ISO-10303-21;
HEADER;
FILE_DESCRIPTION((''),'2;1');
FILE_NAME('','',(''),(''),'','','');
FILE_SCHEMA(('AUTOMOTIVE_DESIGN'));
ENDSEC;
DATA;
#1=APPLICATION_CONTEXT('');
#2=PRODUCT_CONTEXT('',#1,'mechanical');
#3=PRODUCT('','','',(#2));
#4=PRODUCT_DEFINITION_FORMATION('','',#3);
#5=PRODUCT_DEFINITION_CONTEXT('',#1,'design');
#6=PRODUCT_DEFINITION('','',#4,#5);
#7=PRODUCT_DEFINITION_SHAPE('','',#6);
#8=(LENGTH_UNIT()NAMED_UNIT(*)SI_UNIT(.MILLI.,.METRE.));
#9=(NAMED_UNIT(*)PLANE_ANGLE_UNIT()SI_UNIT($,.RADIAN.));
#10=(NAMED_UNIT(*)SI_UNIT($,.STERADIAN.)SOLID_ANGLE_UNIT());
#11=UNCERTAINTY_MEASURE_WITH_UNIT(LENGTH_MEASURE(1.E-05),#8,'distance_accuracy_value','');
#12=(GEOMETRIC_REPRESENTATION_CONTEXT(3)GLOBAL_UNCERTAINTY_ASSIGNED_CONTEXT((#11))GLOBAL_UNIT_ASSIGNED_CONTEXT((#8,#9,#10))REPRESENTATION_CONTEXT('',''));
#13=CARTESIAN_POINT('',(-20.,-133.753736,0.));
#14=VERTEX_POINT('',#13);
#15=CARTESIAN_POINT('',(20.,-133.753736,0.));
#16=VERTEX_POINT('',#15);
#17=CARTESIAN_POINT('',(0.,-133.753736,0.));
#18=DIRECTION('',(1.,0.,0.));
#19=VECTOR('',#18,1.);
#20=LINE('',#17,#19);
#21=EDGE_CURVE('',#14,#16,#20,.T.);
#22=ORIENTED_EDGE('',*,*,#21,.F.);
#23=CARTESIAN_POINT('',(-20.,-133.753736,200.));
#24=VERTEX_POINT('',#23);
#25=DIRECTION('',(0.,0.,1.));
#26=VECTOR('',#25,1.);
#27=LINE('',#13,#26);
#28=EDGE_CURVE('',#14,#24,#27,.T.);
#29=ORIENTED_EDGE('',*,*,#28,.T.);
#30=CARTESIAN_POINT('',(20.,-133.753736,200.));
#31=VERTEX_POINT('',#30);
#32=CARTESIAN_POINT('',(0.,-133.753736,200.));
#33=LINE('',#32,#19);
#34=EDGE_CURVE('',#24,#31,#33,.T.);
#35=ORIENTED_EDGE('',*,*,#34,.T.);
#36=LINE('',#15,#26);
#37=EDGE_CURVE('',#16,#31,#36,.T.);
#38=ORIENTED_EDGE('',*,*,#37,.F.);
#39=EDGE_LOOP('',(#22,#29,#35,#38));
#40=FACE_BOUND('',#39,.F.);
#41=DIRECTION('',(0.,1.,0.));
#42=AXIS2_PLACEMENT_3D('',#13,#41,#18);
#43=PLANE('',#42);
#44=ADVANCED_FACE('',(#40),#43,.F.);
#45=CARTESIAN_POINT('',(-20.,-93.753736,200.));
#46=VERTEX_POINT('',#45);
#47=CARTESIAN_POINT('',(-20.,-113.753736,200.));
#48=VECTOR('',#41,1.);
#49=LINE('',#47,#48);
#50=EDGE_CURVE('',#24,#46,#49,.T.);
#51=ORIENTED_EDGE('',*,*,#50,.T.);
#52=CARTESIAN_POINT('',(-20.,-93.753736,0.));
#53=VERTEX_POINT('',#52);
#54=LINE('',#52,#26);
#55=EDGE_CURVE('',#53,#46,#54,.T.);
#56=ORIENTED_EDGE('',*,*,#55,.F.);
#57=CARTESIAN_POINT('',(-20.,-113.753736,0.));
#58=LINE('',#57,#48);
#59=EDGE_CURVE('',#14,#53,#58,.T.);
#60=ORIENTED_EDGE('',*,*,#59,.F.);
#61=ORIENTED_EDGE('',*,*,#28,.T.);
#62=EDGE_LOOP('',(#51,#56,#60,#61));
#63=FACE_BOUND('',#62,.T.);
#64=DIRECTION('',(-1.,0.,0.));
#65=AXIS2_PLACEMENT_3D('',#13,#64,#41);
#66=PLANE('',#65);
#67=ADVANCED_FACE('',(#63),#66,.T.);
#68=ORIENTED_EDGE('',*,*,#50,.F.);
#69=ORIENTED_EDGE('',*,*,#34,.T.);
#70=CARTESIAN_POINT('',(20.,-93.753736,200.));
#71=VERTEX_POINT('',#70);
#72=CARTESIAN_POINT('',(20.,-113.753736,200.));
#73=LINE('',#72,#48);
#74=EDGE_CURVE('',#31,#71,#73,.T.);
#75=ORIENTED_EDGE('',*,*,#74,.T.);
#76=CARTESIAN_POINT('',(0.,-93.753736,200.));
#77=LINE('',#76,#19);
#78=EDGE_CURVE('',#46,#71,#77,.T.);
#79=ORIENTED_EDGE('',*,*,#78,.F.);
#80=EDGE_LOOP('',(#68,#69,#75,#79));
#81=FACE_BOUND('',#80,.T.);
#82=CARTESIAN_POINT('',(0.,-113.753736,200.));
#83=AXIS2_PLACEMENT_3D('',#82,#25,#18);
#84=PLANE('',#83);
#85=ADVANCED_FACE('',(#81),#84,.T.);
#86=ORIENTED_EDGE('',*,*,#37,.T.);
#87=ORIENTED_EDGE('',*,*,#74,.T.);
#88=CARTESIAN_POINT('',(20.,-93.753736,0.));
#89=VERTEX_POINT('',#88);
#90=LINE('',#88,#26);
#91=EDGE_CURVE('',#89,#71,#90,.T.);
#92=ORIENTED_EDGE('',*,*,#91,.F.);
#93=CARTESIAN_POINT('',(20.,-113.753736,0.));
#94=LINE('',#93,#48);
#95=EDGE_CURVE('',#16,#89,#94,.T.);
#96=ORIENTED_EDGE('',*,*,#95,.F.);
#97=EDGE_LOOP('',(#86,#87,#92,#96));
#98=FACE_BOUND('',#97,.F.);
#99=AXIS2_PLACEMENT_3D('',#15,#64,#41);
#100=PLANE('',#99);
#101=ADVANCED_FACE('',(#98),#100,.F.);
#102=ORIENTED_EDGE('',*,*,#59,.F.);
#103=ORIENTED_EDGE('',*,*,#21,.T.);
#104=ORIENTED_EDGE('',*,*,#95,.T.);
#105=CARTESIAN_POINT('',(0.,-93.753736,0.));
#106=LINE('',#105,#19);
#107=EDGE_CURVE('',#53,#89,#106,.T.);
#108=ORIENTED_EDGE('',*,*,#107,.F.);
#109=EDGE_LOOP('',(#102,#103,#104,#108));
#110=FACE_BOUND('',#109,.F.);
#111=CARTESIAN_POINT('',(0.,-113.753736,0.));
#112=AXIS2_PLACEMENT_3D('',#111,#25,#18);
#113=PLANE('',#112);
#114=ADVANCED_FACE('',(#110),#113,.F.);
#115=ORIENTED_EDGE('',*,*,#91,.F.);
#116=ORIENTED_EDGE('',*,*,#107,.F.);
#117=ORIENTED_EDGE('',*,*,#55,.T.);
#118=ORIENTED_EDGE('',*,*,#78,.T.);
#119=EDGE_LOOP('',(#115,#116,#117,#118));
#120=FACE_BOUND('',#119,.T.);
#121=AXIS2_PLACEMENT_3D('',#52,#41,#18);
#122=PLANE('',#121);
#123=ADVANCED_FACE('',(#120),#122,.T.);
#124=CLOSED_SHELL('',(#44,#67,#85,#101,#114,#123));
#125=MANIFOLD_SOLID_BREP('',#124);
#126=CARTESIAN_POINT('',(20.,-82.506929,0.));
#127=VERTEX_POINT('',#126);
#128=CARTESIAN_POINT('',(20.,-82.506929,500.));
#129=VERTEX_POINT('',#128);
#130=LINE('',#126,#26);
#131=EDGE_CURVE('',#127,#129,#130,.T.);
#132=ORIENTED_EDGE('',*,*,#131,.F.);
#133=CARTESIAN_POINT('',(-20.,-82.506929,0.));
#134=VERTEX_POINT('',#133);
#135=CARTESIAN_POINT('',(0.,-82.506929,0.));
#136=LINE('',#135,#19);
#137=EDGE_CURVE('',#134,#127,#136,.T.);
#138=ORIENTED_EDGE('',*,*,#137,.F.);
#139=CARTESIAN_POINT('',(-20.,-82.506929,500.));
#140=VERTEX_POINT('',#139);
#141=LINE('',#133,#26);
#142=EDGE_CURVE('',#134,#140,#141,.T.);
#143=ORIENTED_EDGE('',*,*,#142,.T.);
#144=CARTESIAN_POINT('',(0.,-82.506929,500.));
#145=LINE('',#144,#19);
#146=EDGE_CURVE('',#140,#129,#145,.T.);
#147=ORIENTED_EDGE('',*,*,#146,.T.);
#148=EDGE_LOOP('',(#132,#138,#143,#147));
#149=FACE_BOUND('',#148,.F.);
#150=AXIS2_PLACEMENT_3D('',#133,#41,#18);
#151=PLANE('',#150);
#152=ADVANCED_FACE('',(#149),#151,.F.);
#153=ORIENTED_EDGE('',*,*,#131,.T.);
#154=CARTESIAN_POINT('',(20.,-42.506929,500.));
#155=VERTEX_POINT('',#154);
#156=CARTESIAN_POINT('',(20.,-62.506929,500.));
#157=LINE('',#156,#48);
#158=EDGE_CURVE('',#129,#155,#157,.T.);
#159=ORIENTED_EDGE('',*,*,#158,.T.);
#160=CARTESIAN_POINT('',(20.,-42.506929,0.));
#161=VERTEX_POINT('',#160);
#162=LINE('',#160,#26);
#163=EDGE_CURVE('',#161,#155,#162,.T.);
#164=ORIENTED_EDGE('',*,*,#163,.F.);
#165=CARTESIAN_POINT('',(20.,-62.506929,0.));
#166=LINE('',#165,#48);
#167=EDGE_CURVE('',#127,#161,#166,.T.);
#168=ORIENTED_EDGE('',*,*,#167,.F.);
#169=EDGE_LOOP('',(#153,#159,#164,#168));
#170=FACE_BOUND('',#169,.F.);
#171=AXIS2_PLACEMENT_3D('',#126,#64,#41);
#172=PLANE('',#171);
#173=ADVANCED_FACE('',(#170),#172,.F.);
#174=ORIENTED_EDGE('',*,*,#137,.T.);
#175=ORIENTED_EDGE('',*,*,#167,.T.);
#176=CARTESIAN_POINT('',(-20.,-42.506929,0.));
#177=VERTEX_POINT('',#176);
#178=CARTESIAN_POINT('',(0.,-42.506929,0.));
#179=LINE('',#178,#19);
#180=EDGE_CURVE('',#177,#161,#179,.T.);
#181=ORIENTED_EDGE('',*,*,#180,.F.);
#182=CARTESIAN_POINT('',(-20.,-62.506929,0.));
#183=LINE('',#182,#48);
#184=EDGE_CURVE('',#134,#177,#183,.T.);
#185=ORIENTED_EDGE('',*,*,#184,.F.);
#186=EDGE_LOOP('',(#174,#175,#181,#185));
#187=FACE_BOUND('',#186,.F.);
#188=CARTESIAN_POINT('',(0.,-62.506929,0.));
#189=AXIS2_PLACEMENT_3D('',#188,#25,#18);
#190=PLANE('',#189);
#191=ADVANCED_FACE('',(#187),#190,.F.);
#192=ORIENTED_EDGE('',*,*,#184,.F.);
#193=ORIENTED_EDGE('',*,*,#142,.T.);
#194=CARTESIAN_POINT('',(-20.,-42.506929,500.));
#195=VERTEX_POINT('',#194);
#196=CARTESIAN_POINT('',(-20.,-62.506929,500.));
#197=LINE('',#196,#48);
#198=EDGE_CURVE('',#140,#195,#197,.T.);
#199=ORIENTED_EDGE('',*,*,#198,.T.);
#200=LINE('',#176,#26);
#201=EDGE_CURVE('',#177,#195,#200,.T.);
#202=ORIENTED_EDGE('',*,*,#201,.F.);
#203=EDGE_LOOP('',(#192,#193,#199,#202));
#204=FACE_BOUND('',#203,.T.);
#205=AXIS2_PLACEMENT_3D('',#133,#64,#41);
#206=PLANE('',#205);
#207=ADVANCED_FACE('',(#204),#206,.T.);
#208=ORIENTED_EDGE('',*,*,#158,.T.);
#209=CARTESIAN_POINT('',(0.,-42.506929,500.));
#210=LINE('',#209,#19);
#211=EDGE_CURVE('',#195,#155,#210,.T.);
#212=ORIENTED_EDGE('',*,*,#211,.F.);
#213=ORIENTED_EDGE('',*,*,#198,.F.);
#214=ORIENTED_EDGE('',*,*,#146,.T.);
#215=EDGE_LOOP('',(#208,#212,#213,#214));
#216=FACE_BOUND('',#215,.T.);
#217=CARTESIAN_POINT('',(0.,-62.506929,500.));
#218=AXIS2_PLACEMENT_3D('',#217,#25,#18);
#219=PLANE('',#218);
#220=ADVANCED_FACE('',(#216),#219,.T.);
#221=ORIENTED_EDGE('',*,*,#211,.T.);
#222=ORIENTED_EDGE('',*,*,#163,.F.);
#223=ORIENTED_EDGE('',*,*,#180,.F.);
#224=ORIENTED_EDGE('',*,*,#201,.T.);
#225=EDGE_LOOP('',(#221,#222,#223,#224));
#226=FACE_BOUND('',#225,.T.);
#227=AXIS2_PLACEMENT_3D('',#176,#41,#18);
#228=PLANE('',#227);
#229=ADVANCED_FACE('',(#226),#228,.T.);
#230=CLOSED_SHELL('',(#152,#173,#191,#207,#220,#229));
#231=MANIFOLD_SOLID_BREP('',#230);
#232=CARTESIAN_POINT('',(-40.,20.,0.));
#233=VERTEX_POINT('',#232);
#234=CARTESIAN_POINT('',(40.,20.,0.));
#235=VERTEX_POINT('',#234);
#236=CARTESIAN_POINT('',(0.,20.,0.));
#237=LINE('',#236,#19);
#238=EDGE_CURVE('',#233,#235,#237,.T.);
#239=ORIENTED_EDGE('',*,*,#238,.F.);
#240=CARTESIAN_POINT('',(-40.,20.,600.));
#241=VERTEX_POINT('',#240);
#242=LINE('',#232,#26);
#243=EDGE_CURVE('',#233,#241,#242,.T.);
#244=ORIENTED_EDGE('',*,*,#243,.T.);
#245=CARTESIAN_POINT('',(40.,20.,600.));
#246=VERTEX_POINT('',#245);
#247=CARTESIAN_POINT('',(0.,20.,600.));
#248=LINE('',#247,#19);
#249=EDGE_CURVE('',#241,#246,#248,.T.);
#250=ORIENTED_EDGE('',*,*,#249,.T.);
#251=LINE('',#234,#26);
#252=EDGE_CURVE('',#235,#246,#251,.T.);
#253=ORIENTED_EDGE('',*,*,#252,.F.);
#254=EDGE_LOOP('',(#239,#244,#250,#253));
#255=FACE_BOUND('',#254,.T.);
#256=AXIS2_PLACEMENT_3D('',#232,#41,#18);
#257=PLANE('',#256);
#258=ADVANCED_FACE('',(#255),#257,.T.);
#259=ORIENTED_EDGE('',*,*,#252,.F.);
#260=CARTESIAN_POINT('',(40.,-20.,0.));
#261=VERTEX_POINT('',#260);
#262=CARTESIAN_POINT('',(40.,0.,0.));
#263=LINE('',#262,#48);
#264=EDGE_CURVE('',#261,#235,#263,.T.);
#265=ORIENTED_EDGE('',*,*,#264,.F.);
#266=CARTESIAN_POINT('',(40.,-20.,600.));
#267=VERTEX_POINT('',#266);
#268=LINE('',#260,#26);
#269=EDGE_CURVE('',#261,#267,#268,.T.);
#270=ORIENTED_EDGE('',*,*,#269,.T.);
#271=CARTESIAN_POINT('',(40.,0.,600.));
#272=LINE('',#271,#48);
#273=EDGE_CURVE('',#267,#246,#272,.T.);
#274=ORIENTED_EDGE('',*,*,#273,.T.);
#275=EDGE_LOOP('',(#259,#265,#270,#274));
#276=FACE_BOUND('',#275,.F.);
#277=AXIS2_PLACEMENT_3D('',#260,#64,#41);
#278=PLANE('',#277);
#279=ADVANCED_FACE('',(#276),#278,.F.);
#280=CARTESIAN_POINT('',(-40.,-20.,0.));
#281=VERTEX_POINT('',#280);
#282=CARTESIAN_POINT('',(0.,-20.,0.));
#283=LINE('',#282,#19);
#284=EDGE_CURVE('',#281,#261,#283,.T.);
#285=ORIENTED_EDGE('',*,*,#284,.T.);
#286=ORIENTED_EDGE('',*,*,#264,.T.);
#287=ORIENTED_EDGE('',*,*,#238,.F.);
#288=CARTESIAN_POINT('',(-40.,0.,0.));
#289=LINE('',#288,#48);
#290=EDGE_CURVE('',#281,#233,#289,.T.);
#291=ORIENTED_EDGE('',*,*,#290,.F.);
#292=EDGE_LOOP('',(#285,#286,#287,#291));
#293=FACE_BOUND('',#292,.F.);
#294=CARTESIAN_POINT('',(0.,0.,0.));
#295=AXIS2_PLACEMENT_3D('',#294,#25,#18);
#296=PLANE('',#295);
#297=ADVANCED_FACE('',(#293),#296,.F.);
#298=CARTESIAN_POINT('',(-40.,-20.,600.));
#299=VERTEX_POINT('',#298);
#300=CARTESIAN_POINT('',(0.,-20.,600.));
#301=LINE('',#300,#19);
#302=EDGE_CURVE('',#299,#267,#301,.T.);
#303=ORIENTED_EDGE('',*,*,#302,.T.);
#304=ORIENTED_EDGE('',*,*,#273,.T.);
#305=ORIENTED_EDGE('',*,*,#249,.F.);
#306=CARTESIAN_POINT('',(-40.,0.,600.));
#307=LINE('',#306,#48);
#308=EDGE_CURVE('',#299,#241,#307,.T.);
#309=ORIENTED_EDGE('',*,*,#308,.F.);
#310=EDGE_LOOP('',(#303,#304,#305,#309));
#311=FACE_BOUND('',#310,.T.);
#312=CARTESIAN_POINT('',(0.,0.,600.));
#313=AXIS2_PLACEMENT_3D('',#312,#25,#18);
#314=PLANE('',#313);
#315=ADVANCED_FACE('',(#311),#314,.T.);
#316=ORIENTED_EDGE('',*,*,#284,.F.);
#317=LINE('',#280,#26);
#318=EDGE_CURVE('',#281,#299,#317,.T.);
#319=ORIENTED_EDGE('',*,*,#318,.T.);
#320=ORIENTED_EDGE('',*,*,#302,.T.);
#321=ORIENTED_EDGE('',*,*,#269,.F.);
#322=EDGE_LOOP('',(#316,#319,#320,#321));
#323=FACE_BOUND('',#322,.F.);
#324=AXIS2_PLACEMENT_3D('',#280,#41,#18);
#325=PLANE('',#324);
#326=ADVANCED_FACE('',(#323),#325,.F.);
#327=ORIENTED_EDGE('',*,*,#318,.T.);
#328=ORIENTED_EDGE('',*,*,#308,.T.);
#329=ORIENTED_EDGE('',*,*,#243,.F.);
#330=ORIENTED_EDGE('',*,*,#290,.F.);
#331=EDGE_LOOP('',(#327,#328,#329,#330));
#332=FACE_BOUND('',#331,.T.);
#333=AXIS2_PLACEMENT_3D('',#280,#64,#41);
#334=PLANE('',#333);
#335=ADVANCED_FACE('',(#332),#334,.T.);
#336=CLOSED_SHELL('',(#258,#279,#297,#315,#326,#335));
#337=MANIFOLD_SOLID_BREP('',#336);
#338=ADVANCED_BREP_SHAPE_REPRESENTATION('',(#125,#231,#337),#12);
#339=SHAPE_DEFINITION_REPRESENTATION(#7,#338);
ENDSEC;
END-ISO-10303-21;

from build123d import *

# Parameters (mm, degrees)
F3_W     = 80
F3_H     = 40
F4_DEPTH = 600
F3_W_2   = 40
F5_DEPTH = 500
F6_DEPTH = 200


with BuildPart() as f4:
    # F3 (on Top) → F4 (new body)
    with BuildSketch(Plane.XY):
        Rectangle(F3_W, F3_H)
    extrude(amount=F4_DEPTH)


with BuildPart() as f5:
    # F3 (on Top) → F5 (new body)
    with BuildSketch(Plane.XY):
        with Locations((0, -62.50692904)):
            Rectangle(F3_W_2, F3_H)
    extrude(amount=F5_DEPTH)


with BuildPart() as f6:
    # F3 (on Top) → F6 (new body)
    with BuildSketch(Plane.XY):
        with Locations((0, -113.7537359072)):
            Rectangle(F3_W_2, F3_H)
    extrude(amount=F6_DEPTH)


solid = Compound([f4.part, f5.part, f6.part])
